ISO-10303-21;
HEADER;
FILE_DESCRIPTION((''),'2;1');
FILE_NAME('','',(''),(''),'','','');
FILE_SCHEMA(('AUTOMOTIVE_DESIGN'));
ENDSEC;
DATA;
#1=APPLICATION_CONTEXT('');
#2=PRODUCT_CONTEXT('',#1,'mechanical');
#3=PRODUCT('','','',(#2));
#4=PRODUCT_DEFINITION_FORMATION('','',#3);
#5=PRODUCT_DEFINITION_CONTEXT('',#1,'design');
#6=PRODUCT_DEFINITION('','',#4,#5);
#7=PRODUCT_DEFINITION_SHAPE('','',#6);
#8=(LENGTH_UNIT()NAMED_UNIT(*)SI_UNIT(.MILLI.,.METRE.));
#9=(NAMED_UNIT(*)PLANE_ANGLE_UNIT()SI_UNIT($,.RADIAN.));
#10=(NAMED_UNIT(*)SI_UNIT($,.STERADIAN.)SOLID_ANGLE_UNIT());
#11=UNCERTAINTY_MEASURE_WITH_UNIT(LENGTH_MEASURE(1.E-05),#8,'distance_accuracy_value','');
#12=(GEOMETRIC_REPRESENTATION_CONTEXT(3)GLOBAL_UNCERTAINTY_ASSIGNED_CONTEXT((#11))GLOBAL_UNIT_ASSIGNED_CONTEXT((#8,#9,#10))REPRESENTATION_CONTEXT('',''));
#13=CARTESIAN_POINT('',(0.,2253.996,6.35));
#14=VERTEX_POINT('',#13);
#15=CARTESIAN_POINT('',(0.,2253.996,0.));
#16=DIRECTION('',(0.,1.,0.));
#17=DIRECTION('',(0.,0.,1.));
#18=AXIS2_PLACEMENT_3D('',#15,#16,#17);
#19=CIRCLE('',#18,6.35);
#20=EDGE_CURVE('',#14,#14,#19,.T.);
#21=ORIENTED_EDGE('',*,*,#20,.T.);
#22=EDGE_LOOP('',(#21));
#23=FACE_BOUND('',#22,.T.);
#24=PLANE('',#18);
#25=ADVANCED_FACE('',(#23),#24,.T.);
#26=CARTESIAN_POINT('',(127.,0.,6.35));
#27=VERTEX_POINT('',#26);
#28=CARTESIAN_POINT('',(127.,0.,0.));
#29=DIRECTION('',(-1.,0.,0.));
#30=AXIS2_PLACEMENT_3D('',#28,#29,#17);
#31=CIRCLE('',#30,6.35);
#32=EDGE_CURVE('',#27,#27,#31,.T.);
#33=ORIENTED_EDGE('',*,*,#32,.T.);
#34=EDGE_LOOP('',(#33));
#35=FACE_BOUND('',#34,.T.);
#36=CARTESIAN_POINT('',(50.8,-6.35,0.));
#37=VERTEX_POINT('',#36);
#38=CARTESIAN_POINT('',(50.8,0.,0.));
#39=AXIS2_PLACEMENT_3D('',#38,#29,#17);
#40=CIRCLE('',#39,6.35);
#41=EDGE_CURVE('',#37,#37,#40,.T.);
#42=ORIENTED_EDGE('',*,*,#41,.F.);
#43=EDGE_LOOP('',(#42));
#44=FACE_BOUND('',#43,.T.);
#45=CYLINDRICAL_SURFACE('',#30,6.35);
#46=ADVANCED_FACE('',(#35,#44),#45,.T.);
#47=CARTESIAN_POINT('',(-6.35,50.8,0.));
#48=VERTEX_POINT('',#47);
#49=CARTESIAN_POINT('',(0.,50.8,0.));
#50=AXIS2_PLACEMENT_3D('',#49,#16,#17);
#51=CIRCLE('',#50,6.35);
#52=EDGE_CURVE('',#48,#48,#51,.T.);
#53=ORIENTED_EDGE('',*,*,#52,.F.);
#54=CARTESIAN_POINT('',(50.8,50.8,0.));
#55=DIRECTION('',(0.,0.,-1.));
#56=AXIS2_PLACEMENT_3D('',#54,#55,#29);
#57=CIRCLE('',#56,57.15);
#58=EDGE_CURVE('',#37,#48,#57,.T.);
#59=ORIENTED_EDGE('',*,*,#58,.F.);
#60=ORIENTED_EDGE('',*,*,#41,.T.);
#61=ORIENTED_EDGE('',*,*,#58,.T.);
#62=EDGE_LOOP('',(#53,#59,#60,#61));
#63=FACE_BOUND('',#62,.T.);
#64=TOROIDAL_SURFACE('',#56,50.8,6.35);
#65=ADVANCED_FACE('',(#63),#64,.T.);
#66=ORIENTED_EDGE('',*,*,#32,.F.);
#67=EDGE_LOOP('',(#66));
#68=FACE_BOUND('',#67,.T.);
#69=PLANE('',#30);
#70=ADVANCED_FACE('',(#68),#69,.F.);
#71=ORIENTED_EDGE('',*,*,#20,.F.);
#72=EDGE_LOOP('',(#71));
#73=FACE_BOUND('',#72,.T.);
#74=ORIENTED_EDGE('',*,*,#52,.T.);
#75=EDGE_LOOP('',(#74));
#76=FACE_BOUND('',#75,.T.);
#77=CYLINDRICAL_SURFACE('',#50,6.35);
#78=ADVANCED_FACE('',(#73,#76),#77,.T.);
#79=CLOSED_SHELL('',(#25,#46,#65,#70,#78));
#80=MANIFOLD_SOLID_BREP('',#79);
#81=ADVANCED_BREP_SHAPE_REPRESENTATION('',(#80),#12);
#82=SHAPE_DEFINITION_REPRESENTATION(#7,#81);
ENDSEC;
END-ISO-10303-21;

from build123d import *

# Parameters (mm, degrees)
SWEEP1_PROFILE_R = 6.35


with BuildPart() as part:
    # Sweep1: sweep along a path in Sketch1
    with BuildLine(Plane.XY) as sweep1_path:
        Line((0, 2253.996), (0, 50.8))
        ThreePointArc((0, 50.8), (14.878975516, 14.878975516), (50.8, 0))
        Line((50.8, 0), (127, 0))
    # Sweep1 profile (on start of the path) → Sweep1 (sweep)
    with BuildSketch(Plane(origin=(0, 2253.996, 0), x_dir=(0, 0, -1), z_dir=(0, -1, 0))):
        Circle(SWEEP1_PROFILE_R)
    sweep(path=sweep1_path.line)


solid = part.part
